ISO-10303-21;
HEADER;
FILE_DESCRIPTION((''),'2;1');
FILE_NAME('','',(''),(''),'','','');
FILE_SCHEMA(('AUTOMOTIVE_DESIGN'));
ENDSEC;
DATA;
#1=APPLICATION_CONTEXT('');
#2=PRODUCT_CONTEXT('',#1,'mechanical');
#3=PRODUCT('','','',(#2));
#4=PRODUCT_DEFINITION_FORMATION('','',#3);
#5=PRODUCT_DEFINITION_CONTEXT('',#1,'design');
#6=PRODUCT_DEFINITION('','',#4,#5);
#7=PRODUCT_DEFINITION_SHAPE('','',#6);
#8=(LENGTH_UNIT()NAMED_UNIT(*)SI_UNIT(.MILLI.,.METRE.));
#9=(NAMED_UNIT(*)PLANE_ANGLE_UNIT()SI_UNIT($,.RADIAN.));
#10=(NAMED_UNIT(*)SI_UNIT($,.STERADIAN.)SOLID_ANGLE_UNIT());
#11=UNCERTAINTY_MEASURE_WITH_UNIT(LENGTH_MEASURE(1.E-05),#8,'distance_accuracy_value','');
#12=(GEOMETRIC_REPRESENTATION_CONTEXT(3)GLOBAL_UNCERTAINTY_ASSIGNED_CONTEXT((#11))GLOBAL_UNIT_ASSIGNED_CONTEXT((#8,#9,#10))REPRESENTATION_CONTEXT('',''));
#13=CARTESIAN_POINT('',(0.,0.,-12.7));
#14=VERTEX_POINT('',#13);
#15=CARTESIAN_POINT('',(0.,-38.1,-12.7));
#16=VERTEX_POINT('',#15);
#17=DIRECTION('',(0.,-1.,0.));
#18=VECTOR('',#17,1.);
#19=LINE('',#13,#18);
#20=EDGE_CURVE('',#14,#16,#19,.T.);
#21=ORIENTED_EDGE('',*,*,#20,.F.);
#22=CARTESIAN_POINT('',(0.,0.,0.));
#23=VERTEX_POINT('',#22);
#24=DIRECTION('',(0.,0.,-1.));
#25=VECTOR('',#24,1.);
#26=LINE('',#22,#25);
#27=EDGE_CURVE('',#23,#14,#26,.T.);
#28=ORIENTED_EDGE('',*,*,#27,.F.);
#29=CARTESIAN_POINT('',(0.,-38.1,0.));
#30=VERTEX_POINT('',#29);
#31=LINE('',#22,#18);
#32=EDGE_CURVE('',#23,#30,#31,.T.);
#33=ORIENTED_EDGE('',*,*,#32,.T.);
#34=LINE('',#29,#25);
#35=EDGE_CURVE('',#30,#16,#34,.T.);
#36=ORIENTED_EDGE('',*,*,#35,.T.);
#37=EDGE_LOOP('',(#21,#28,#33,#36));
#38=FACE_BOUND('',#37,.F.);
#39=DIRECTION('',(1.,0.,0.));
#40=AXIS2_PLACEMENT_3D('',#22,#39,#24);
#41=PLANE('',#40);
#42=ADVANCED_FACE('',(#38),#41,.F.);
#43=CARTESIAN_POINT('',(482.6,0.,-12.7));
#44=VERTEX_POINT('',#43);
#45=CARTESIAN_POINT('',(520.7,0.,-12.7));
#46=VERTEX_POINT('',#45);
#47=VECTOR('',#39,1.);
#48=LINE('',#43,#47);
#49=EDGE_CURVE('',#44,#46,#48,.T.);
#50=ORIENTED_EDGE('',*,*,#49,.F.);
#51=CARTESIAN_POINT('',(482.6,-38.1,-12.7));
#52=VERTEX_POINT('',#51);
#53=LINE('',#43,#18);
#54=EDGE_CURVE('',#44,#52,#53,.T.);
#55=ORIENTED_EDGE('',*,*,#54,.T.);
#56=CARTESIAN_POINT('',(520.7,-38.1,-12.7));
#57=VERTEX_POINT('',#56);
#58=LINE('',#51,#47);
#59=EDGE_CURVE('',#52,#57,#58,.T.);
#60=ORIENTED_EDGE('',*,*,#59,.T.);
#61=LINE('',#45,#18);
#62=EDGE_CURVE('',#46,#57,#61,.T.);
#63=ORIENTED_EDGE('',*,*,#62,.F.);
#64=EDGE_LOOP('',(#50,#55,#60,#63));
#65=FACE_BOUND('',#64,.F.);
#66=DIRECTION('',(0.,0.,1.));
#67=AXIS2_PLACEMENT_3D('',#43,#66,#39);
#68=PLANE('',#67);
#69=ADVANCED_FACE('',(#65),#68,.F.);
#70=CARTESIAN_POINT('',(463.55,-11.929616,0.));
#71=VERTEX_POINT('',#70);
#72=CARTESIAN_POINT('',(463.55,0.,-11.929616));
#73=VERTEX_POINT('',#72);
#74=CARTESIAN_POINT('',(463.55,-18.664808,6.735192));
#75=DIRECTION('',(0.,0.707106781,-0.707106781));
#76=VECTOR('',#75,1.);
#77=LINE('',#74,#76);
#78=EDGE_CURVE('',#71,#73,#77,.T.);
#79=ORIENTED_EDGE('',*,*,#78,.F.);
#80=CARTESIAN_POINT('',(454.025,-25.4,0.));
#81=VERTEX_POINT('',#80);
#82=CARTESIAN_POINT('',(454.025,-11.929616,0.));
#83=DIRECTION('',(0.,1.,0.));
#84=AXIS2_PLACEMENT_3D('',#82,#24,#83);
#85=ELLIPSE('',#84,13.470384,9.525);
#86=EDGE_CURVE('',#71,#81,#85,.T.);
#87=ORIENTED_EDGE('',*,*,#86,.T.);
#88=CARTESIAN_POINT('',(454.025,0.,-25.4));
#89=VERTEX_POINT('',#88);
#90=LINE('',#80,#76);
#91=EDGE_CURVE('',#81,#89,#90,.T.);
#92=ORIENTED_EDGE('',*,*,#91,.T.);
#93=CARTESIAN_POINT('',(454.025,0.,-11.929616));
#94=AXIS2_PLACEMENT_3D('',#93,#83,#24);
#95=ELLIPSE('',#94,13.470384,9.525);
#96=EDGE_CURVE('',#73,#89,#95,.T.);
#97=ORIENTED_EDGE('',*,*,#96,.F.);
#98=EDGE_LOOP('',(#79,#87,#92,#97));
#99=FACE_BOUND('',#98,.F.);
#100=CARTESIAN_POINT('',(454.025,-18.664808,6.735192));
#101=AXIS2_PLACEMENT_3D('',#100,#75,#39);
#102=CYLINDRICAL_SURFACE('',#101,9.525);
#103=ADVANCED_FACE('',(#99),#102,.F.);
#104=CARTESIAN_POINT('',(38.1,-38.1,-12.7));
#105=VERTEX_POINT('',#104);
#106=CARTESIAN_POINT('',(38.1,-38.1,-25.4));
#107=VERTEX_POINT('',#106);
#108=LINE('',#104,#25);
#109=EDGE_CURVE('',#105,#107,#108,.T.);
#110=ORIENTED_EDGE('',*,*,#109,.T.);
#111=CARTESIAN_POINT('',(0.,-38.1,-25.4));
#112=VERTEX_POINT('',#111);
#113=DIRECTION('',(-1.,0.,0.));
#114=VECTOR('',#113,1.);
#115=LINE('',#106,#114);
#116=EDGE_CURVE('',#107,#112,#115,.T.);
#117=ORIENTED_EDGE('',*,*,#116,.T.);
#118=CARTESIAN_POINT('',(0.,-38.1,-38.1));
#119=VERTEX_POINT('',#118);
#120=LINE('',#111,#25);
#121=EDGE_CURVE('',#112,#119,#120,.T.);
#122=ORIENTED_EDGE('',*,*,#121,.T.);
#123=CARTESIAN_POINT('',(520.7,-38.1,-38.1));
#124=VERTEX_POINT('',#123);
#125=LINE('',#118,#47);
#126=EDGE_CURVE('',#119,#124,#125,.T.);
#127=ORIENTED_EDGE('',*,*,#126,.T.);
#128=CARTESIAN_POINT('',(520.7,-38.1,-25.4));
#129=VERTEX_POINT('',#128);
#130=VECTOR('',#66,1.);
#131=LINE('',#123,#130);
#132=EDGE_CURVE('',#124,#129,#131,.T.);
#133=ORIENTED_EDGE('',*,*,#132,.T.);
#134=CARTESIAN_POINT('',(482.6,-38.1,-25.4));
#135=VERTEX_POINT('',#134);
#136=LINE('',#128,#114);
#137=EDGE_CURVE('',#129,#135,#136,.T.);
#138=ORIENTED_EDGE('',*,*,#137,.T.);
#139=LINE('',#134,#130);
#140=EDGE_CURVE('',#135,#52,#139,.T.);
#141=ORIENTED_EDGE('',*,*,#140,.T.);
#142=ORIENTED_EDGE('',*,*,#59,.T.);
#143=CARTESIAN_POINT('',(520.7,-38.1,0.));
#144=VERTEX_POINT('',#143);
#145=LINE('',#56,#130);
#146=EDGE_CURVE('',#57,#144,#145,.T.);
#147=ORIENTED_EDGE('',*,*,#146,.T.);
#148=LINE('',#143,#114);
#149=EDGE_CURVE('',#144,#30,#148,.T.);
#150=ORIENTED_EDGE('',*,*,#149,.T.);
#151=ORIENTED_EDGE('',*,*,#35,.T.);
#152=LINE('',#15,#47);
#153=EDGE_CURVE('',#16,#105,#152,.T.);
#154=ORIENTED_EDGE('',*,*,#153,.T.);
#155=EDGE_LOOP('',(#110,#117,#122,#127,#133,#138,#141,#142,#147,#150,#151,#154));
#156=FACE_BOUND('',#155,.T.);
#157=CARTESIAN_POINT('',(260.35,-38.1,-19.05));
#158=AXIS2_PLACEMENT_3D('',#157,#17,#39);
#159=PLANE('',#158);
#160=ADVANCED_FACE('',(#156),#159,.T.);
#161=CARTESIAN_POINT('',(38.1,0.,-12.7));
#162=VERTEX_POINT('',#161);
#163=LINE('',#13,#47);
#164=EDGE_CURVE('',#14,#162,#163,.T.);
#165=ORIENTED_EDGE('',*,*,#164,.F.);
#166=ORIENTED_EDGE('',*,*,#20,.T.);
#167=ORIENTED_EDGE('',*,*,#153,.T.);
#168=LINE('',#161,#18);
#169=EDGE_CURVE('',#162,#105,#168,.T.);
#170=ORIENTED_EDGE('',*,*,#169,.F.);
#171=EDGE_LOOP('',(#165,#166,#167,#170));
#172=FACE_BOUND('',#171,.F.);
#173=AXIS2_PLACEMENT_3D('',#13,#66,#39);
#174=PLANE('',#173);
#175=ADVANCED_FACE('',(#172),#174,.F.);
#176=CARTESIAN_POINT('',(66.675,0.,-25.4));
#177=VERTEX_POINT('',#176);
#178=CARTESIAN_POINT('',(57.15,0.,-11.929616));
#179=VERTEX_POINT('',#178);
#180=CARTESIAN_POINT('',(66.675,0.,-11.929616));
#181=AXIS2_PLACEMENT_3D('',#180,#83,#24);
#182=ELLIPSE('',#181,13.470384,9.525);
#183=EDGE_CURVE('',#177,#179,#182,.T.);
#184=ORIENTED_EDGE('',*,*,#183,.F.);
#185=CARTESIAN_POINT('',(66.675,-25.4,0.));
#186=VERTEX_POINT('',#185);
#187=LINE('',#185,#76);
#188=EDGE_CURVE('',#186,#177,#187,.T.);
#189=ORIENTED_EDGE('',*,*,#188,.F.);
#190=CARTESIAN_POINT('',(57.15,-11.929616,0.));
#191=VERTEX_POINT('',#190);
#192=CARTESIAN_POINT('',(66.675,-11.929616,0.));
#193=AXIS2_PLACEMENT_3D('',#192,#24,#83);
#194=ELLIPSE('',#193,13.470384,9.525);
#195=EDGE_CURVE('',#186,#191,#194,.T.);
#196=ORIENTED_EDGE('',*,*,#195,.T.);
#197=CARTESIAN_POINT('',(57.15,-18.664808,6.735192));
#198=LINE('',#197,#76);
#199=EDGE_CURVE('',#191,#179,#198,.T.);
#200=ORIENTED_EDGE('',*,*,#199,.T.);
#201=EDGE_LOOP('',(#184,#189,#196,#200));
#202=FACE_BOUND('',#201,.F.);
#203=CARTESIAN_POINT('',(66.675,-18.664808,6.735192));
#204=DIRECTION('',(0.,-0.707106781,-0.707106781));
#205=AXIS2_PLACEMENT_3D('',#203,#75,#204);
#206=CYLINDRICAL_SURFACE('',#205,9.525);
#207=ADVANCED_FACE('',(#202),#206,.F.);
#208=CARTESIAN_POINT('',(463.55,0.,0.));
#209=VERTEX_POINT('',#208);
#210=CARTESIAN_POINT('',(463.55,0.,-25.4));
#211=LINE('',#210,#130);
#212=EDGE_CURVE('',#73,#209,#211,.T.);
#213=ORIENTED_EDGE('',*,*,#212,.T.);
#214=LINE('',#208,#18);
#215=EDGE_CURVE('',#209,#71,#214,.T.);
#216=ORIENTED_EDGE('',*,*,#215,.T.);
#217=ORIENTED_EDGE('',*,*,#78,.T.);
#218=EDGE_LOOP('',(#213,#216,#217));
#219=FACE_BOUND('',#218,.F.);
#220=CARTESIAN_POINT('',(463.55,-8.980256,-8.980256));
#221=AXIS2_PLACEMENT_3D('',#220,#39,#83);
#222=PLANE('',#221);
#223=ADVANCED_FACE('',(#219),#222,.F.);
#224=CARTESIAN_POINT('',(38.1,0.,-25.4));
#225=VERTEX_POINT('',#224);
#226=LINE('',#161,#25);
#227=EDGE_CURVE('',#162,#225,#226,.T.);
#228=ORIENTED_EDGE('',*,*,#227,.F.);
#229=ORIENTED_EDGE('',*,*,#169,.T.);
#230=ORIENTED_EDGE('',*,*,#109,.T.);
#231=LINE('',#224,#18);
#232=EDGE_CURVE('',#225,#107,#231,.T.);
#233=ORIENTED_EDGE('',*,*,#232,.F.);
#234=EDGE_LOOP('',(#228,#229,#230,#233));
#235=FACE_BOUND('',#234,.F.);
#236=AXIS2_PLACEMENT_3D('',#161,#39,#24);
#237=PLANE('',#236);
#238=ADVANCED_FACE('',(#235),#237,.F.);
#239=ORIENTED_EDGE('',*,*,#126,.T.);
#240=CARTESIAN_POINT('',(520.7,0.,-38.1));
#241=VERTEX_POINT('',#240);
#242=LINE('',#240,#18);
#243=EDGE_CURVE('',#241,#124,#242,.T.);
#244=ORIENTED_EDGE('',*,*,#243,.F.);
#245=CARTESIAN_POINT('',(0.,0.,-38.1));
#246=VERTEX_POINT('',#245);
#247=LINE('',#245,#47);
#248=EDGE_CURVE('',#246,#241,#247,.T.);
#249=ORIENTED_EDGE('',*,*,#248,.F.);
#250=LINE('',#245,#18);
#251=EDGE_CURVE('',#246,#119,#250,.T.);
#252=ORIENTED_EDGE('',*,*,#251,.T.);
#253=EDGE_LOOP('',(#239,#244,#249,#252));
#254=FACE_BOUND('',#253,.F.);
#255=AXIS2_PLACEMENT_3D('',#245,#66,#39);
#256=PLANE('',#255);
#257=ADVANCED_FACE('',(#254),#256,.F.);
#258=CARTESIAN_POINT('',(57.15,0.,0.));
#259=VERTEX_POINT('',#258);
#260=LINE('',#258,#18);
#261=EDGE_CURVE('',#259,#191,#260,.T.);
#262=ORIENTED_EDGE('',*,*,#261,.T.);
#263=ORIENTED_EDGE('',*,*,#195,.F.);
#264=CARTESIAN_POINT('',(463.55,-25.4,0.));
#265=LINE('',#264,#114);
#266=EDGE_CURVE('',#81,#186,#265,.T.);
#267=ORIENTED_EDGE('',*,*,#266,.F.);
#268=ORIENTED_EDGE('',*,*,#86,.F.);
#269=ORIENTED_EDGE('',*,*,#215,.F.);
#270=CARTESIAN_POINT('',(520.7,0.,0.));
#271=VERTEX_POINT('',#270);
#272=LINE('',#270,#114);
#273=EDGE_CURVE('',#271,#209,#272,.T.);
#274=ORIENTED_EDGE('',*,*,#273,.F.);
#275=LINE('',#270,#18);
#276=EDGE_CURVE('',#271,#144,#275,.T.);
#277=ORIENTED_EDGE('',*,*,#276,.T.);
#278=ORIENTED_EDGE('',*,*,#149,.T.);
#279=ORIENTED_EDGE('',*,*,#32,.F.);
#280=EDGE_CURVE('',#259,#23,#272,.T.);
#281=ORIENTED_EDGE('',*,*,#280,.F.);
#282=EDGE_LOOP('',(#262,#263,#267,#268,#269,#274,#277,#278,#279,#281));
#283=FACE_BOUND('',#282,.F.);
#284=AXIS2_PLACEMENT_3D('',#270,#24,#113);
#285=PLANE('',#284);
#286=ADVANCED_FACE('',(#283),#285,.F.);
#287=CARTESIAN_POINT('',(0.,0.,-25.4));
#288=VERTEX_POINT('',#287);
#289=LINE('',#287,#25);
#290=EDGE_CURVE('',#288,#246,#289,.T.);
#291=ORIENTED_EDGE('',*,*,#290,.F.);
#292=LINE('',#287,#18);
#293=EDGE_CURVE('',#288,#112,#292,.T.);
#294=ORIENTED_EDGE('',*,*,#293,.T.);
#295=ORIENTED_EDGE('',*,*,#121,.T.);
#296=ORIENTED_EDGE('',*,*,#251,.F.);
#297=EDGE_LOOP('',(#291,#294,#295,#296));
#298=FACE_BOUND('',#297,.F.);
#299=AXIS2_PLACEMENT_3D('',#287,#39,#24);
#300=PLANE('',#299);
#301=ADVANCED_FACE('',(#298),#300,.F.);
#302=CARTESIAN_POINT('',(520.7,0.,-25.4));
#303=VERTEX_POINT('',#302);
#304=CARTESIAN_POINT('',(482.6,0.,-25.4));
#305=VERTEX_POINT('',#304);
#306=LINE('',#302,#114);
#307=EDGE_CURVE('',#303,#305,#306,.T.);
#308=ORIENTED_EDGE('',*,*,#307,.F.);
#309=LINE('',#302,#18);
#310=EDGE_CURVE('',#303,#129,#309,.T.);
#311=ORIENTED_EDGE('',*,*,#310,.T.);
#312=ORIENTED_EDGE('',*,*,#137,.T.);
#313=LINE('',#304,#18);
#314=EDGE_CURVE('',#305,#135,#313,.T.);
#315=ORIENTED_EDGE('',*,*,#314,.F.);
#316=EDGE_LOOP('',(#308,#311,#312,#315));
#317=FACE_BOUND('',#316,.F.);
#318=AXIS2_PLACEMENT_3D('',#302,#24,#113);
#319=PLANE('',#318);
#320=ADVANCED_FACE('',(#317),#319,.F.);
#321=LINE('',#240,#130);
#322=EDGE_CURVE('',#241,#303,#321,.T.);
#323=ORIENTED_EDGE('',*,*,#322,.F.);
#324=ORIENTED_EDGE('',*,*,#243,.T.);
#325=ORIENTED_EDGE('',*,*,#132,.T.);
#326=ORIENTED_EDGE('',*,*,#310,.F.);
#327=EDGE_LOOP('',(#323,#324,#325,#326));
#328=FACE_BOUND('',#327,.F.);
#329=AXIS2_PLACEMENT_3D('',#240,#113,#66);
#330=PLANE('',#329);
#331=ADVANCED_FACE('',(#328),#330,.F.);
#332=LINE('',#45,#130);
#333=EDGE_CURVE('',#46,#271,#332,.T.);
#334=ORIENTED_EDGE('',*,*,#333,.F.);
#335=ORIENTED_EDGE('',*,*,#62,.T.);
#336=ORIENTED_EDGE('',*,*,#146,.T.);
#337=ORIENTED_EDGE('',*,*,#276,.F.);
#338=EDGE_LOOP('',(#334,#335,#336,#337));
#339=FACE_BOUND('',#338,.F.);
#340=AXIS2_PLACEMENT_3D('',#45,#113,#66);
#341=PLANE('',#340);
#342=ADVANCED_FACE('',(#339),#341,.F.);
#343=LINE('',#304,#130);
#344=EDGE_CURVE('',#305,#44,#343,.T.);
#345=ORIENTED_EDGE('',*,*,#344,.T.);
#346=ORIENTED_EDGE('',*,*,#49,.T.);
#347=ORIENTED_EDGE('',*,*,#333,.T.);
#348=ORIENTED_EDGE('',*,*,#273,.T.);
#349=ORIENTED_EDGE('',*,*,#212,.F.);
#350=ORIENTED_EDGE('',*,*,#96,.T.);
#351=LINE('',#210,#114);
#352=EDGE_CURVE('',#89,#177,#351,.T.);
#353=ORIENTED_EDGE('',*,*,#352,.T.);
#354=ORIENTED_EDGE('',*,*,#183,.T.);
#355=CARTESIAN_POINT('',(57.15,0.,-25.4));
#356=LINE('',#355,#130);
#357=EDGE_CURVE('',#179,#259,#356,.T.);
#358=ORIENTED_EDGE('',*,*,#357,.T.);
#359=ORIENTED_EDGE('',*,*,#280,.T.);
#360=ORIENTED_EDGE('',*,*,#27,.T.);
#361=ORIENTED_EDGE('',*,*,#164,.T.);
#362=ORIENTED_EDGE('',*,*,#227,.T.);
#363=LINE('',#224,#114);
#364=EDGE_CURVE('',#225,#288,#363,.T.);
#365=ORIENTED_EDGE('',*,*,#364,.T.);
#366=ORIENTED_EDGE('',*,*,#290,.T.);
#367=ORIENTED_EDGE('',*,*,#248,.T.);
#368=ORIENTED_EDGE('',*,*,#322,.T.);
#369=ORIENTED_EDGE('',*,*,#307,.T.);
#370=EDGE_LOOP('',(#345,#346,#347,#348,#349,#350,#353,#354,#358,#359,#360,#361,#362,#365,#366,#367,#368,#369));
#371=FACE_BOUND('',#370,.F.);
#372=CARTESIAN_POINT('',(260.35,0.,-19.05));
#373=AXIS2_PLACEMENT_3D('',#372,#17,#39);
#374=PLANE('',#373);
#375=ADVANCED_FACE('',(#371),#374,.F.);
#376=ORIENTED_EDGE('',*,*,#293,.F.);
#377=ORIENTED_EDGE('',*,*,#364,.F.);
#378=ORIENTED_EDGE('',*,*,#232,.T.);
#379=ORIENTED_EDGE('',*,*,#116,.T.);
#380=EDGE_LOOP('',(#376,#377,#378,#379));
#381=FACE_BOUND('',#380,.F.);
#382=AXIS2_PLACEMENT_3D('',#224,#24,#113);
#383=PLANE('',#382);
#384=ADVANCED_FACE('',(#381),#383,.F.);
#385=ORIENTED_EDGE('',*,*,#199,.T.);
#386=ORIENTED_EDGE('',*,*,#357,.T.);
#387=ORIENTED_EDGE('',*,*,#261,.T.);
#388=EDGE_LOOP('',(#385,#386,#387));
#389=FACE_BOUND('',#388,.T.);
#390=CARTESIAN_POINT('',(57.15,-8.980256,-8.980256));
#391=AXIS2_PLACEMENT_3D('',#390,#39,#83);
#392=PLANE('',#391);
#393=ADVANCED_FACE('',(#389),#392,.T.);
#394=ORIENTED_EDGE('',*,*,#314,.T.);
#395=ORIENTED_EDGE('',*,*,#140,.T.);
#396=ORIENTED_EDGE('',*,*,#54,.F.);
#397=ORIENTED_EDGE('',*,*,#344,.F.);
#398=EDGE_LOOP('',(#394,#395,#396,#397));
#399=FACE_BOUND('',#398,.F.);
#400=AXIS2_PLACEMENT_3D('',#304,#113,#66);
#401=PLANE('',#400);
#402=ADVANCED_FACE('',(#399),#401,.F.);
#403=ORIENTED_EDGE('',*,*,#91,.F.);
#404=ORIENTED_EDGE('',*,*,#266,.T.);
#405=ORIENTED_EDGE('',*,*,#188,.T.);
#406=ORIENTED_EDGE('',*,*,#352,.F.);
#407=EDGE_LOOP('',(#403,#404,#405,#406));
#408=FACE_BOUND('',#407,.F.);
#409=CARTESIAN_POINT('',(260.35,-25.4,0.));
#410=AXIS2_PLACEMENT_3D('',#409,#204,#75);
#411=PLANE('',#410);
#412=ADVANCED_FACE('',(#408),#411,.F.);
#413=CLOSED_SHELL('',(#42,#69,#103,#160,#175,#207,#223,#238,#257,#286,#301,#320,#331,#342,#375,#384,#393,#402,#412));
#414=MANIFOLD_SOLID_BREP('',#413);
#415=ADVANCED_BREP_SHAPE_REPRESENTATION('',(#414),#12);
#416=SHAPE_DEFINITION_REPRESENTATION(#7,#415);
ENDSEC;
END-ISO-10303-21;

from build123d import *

# Parameters (mm, degrees)
F1_DEPTH = 38.1
F4_DEPTH = 203.2
F5_R     = 9.525


with BuildPart() as f1:
    # F0 (on Front) → F1 (new body)
    with BuildSketch(Plane.XZ):
        Polygon((520.7, 0), (0, 0), (0, -12.7), (38.1, -12.7), (38.1, -25.4), (0, -25.4), (0, -38.1), (520.7, -38.1), (520.7, -25.4), (482.6, -25.4), (482.6, -12.7), (520.7, -12.7), align=None)
    extrude(amount=F1_DEPTH)

    # F3 (on offset) → F4 (cut, symmetric)
    with BuildSketch(Plane.YZ.offset(260.35)):
        Polygon((0, -25.4), (0, 0), (-25.4, 0), align=None)
    extrude(amount=F4_DEPTH, both=True, mode=Mode.SUBTRACT)

    # F5
    f5_edges = [f1.edges().sort_by_distance(p)[0] for p in [
        (463.55, -12.7, -12.7),
        (57.15, -12.7, -12.7),
    ]]
    fillet(f5_edges, radius=F5_R)


solid = f1.part
